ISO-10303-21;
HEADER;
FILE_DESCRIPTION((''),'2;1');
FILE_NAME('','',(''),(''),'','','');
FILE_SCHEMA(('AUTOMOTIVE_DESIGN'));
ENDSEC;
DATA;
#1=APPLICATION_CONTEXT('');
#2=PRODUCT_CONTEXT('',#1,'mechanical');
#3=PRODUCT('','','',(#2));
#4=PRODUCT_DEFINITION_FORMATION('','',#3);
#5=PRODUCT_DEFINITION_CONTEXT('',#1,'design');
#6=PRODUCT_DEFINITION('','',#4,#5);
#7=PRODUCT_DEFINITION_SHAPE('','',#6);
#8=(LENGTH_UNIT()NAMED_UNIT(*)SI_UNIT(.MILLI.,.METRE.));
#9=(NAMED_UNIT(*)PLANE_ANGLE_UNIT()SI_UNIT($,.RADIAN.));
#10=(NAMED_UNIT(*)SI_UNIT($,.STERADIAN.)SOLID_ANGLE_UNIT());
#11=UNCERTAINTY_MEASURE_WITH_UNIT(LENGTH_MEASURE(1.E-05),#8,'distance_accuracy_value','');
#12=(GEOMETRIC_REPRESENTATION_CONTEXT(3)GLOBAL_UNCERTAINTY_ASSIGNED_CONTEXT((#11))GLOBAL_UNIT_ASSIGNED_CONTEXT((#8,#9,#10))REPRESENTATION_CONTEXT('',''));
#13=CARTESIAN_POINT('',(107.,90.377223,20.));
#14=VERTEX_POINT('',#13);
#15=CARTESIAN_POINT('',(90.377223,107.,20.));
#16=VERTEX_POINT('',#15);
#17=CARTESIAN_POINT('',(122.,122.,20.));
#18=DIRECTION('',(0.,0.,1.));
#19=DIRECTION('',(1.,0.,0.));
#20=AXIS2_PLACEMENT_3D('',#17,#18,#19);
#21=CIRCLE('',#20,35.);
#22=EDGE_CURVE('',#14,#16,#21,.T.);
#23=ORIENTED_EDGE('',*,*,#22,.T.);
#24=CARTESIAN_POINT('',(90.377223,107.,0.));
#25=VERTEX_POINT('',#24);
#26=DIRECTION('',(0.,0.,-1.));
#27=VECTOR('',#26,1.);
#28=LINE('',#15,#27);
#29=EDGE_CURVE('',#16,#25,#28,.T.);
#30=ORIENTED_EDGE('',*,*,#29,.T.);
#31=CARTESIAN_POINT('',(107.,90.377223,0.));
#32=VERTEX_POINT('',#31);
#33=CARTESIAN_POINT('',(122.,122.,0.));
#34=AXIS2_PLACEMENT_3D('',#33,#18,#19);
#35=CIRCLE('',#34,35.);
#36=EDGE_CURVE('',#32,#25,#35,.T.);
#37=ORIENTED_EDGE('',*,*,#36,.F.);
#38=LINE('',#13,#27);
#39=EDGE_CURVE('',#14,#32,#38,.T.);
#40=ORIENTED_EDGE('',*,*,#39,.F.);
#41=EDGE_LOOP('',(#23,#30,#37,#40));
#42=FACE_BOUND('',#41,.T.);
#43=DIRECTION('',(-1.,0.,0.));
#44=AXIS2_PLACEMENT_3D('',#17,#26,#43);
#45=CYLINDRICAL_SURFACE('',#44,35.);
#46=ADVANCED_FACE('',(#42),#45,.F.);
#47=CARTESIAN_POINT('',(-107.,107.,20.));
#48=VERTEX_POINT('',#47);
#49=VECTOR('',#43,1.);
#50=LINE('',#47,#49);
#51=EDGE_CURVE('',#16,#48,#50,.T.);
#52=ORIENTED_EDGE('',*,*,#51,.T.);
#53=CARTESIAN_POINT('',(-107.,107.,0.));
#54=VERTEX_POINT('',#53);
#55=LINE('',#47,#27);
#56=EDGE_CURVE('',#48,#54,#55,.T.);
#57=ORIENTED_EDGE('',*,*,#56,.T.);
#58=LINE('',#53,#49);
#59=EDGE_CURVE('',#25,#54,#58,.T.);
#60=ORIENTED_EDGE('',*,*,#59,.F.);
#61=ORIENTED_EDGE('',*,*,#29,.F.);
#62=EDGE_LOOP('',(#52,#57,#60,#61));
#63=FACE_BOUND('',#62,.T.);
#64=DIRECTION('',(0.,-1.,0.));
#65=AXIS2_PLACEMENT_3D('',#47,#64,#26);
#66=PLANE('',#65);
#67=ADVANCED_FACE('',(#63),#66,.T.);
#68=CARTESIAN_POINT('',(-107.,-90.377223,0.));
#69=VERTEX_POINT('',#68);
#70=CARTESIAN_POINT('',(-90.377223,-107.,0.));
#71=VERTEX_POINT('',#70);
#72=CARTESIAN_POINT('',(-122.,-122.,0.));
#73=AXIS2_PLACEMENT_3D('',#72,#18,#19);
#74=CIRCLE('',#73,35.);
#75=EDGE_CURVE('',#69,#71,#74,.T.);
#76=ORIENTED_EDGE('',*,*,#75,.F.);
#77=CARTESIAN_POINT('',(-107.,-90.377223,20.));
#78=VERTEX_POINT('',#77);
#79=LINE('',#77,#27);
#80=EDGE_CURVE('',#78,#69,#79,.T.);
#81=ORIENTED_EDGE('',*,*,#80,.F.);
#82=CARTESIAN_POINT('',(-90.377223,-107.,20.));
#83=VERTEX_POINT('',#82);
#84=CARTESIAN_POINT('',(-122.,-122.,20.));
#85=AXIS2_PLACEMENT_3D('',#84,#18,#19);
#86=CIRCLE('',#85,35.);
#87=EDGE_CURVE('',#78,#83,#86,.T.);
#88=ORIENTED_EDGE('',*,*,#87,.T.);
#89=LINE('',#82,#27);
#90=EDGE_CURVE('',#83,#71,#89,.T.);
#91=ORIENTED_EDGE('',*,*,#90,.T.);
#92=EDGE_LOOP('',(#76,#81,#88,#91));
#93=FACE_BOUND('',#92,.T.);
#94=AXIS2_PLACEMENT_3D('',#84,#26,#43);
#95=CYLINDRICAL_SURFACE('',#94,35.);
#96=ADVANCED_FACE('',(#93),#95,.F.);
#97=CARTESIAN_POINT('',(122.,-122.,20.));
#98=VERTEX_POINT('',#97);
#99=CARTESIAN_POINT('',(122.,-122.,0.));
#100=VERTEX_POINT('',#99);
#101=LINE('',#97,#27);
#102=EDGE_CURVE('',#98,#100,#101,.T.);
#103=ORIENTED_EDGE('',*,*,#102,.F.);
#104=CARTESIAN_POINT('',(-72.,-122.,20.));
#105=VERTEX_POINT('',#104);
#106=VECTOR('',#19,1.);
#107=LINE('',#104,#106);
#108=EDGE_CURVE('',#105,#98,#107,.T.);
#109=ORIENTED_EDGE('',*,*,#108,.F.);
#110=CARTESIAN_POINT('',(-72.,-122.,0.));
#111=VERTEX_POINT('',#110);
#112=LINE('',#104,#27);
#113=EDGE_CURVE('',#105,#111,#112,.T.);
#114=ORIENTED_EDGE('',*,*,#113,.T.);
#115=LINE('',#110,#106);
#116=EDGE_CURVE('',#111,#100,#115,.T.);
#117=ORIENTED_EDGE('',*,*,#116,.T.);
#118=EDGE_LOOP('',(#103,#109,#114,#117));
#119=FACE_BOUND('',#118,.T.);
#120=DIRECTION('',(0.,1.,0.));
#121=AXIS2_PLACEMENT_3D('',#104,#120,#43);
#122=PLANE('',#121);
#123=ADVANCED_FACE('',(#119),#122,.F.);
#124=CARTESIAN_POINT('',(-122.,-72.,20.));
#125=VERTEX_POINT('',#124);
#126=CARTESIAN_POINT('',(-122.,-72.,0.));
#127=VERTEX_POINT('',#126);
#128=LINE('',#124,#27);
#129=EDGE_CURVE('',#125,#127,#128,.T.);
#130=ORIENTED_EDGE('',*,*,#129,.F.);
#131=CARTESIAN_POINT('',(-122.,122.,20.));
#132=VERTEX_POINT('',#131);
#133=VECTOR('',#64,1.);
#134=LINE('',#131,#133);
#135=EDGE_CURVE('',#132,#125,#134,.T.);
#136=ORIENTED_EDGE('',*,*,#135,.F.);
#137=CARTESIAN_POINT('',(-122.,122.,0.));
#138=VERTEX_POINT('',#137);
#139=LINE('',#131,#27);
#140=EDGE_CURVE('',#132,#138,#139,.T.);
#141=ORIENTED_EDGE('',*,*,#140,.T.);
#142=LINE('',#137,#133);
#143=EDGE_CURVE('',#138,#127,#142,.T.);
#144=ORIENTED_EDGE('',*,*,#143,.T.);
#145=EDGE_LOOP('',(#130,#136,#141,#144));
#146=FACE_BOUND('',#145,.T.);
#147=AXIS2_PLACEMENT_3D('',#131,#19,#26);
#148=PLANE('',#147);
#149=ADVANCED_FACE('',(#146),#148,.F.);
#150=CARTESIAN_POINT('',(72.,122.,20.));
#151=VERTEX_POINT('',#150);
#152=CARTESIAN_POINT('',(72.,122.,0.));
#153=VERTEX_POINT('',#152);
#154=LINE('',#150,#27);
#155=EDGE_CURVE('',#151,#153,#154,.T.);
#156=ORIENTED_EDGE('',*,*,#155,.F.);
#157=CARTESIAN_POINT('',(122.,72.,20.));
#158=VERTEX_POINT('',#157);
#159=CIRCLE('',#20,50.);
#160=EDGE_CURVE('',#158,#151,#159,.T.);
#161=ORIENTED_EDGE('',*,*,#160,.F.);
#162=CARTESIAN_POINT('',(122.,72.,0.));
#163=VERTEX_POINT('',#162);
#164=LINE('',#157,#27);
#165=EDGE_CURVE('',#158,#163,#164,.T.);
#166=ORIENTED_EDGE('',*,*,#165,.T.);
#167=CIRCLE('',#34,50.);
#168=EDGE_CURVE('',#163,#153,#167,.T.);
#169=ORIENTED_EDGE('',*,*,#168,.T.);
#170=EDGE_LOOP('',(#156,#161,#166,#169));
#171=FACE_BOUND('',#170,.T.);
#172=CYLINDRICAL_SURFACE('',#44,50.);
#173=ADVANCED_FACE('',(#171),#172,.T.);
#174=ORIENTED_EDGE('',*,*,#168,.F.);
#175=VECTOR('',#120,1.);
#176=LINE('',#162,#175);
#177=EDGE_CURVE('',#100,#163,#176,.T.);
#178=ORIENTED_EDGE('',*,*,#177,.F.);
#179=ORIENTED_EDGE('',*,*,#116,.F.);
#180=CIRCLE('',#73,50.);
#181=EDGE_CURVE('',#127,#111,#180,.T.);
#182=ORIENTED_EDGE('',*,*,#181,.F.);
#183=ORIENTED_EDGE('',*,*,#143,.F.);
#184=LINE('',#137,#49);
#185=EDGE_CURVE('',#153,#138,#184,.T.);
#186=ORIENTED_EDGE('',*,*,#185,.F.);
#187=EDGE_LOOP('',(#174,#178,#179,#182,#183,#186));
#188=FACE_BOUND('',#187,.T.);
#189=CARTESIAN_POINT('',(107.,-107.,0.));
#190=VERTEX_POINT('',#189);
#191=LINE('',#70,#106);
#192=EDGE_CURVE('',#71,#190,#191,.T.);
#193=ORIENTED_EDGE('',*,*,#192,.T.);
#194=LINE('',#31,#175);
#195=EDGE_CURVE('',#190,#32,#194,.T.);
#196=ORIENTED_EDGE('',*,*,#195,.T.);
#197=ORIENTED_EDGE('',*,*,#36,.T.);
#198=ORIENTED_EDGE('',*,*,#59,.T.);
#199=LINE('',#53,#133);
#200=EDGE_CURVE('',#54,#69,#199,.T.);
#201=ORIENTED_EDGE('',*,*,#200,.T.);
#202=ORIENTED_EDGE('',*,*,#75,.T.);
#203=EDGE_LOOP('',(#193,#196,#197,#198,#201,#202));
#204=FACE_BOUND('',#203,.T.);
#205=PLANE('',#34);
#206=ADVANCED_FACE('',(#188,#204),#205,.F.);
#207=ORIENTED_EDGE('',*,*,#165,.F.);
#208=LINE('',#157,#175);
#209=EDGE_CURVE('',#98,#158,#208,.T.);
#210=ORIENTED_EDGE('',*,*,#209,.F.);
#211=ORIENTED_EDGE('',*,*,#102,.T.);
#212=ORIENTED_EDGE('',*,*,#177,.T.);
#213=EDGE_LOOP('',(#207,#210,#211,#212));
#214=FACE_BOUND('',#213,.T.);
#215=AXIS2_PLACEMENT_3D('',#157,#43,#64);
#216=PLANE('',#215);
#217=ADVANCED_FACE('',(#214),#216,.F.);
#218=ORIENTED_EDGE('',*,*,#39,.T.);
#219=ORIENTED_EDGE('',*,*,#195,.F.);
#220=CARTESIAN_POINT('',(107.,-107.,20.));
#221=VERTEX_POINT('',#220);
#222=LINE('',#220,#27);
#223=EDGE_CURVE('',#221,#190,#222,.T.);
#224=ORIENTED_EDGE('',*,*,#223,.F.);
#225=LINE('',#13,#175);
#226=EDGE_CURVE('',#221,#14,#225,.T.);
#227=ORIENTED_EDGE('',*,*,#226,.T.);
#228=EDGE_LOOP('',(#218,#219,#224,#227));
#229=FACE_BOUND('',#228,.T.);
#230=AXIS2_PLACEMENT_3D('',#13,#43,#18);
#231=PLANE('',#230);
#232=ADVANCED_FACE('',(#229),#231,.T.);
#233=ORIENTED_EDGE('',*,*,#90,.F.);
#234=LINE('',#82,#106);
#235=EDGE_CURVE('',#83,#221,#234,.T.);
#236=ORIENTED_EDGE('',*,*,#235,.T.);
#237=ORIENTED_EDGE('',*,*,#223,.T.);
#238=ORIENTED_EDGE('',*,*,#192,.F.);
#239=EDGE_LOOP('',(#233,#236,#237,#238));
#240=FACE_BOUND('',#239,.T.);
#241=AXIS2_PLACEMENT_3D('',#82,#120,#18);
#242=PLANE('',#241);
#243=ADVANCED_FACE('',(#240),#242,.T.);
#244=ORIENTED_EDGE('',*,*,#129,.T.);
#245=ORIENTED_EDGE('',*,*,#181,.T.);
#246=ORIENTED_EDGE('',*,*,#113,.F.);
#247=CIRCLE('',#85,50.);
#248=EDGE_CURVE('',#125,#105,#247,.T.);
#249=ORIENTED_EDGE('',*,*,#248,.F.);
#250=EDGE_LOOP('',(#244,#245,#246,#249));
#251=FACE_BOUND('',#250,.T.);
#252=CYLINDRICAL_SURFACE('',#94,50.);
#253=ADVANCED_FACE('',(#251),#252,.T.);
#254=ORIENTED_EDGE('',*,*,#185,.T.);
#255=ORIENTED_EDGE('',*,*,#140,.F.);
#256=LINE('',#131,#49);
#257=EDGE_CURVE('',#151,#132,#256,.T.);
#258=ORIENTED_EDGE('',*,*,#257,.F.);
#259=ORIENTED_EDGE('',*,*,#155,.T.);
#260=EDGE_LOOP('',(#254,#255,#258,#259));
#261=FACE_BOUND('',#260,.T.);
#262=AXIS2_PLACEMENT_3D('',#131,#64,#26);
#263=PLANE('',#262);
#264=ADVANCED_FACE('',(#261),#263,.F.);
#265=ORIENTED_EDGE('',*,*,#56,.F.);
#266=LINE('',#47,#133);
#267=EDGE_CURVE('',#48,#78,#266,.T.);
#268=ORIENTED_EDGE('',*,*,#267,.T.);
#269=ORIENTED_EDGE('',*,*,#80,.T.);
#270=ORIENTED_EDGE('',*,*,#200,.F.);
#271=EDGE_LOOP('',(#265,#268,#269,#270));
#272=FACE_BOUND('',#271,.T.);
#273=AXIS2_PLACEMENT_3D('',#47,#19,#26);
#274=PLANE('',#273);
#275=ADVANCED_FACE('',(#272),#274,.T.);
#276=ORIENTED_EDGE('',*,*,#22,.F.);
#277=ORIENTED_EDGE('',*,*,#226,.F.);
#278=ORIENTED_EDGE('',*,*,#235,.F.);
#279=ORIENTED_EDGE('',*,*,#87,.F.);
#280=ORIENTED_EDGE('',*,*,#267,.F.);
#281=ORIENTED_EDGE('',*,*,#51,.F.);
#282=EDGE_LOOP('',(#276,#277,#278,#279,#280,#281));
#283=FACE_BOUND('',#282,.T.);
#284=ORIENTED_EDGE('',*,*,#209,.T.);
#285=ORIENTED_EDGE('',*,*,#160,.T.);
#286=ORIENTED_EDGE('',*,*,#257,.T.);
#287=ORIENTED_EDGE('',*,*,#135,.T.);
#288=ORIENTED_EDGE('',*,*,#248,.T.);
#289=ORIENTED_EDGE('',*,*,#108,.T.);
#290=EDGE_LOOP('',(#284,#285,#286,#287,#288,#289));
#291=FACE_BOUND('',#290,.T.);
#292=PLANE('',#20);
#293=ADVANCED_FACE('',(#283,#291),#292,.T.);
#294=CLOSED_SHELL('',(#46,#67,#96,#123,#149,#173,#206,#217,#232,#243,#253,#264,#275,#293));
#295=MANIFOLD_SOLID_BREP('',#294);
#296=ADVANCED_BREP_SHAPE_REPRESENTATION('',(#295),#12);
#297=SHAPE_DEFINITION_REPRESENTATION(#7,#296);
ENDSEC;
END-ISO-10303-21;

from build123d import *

# Parameters (mm, degrees)
BOSS_EXTRUDE1_DEPTH = 20


with BuildPart() as part:
    # Sketch1 → Boss-Extrude1 (new body)
    with BuildSketch(Plane.XY):
        with BuildLine():
            Line((-122, 122), (72, 122))
            ThreePointArc((72, 122), (157.355339059, 157.355339059), (122, 72))
            Line((122, 72), (122, -122))
            Line((122, -122), (-72, -122))
            ThreePointArc((-72, -122), (-157.355339059, -157.355339059), (-122, -72))
            Line((-122, -72), (-122, 122))
        make_face()
        with BuildLine():
            Line((-107, 107), (90.377223398, 107))
            ThreePointArc((90.377223398, 107), (146.748737342, 146.748737342), (107, 90.377223398))
            Line((107, 90.377223398), (107, -107))
            Line((107, -107), (-90.377223398, -107))
            ThreePointArc((-90.377223398, -107), (-146.748737342, -146.748737342), (-107, -90.377223398))
            Line((-107, -90.377223398), (-107, 107))
        make_face(mode=Mode.SUBTRACT)
    extrude(amount=BOSS_EXTRUDE1_DEPTH)


solid = part.part
